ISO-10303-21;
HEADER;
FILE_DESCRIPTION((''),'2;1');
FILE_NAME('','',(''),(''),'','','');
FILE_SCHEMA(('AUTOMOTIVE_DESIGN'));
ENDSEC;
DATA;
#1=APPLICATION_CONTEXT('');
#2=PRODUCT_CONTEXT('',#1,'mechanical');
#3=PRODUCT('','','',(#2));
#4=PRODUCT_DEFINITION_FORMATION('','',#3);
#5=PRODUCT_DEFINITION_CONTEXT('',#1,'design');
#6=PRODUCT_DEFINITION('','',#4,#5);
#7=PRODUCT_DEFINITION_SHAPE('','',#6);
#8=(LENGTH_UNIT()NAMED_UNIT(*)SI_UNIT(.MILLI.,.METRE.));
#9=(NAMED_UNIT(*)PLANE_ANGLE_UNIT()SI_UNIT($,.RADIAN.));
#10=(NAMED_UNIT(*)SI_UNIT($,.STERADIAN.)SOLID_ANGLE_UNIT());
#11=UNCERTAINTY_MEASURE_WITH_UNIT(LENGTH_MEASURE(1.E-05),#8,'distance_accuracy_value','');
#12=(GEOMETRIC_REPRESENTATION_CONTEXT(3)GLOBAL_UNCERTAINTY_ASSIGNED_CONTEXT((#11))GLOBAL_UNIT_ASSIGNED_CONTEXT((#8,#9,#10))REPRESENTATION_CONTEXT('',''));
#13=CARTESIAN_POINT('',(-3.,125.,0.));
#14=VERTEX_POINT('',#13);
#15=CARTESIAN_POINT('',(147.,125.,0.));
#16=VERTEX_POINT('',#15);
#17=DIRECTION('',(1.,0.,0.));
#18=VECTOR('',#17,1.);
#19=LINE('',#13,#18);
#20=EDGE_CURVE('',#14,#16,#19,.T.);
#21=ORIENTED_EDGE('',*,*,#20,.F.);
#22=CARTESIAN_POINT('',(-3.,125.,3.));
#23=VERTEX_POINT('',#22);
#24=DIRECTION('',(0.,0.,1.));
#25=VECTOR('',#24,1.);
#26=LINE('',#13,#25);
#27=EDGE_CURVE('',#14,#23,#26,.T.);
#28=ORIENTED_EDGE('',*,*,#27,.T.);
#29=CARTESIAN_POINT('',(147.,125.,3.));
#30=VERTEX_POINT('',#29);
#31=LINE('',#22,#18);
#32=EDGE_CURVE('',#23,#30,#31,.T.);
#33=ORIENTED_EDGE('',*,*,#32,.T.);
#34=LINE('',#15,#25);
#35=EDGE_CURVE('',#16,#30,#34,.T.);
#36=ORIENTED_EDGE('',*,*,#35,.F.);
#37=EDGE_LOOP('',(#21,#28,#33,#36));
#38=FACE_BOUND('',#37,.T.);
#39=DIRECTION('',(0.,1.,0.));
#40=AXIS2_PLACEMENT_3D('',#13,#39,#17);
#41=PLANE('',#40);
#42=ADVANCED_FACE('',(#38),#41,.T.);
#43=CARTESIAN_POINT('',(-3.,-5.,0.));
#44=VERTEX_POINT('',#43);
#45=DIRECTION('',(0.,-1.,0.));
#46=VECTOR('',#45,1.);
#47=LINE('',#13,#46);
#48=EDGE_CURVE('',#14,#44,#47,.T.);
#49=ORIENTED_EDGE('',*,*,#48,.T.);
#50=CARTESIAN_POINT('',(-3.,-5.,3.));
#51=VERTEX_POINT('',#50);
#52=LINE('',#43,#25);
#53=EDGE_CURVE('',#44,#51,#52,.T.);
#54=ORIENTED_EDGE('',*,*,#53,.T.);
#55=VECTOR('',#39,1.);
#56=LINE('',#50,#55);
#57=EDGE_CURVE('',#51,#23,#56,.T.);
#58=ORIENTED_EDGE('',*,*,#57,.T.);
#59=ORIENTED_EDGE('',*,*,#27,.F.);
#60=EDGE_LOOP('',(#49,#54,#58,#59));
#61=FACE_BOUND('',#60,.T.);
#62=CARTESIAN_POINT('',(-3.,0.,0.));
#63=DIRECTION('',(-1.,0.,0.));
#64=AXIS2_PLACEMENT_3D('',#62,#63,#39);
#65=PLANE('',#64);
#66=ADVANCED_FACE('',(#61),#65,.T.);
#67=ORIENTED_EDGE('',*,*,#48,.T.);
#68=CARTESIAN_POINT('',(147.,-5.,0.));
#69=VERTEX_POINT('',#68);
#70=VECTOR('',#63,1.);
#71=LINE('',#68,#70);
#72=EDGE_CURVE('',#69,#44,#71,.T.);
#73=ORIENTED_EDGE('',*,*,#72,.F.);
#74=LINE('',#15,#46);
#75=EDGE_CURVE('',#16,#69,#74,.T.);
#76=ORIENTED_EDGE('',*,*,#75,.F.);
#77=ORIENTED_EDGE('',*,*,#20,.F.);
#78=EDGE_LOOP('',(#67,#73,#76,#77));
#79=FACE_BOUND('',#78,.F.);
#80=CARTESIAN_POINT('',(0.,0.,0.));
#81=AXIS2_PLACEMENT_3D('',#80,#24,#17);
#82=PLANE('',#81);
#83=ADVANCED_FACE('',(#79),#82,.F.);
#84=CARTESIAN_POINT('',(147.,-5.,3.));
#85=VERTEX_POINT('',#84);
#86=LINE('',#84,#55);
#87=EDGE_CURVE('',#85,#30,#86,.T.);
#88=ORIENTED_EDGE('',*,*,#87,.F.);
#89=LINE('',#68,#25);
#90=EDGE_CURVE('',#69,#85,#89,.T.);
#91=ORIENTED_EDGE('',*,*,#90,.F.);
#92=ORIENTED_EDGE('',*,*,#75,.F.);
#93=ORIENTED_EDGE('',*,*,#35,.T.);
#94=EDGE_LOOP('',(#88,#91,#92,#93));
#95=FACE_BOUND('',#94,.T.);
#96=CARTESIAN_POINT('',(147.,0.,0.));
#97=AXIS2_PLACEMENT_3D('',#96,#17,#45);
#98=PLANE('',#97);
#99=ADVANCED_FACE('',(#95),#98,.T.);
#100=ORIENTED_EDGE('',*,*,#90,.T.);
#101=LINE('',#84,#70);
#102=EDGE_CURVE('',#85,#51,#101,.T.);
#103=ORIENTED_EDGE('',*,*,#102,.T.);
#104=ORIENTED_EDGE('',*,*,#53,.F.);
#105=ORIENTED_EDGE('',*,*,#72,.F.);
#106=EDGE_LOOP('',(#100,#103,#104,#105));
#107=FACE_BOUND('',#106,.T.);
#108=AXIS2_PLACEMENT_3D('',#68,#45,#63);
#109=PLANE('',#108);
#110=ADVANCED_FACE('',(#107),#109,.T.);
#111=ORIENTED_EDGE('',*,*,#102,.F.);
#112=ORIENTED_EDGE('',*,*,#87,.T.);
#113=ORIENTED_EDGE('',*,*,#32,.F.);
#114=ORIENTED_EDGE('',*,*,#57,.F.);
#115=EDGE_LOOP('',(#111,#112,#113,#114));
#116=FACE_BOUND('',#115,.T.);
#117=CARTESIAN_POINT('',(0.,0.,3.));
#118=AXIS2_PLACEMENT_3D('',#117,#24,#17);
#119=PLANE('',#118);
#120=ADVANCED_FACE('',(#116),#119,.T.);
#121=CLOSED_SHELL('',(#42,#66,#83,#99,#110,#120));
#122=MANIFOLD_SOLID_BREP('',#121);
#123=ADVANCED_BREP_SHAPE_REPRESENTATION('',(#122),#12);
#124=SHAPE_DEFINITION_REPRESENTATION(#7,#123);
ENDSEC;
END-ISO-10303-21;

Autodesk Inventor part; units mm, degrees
ref_plane "YZ Plane" through (0, 0, 0) normal (1, 0, 0) x (0, 1, 0)
ref_plane "XZ Plane" through (0, 0, 0) normal (0, 1, 0) x (-1, 0, 0)
ref_plane "XY Plane" through (0, 0, 0) normal (0, 0, 1) x (1, 0, 0)
sketch "Sketch1" plane through (0, 0, 0) normal (0, 0, 1) x (1, 0, 0)
  line L0 (-18, -6) -> (162, -6) projected
  line L1 (162, 0) -> (162, -6) projected
  line L2 (-18, 0) -> (162, 0) projected
  line L3 (-18, -6) -> (-18, 0) projected
  line L4 (-4, 0) -> (2, 0) projected
  line L5 (2, 0) -> (2, 120) projected
  line L6 (-4, 120) -> (2, 120) projected
  line L7 (-4, 0) -> (-4, 120) projected
  line L8 (148, 0) -> (142, 0) projected
  line L9 (142, 0) -> (142, 120) projected
  line L10 (148, 120) -> (142, 120) projected
  line L11 (148, 0) -> (148, 120) projected
  line L12 (-18, 120) -> (162, 120) projected
  line L13 (162, 126) -> (162, 120) projected
  line L14 (-18, 126) -> (162, 126) projected
  line L15 (-18, 120) -> (-18, 126) projected
  line L16 (-4, -6) -> (148, -6)
  line L17 (148, -6) -> (148, 126)
  line L18 (148, 126) -> (-4, 126)
  line L19 (-4, 126) -> (-4, -6)
  line L20 (147, 125) -> (147, -5)
  line L21 (147, -5) -> (-3, -5)
  line L22 (-3, -5) -> (-3, 125)
  line L23 (-3, 125) -> (147, 125)
  point P0 (0, 0)
  dimension "d0" = 1
extrude "Extrusion1" add sketch "Sketch1" along normal blind 3 contours L22 L6 L5 L2 | L2 L20 L21 L22 | L2 L9 L10 L20 | L5 L12 L9 L2 | L22 L23 L20 L10 L12 L6
properties part number "xpanel"
